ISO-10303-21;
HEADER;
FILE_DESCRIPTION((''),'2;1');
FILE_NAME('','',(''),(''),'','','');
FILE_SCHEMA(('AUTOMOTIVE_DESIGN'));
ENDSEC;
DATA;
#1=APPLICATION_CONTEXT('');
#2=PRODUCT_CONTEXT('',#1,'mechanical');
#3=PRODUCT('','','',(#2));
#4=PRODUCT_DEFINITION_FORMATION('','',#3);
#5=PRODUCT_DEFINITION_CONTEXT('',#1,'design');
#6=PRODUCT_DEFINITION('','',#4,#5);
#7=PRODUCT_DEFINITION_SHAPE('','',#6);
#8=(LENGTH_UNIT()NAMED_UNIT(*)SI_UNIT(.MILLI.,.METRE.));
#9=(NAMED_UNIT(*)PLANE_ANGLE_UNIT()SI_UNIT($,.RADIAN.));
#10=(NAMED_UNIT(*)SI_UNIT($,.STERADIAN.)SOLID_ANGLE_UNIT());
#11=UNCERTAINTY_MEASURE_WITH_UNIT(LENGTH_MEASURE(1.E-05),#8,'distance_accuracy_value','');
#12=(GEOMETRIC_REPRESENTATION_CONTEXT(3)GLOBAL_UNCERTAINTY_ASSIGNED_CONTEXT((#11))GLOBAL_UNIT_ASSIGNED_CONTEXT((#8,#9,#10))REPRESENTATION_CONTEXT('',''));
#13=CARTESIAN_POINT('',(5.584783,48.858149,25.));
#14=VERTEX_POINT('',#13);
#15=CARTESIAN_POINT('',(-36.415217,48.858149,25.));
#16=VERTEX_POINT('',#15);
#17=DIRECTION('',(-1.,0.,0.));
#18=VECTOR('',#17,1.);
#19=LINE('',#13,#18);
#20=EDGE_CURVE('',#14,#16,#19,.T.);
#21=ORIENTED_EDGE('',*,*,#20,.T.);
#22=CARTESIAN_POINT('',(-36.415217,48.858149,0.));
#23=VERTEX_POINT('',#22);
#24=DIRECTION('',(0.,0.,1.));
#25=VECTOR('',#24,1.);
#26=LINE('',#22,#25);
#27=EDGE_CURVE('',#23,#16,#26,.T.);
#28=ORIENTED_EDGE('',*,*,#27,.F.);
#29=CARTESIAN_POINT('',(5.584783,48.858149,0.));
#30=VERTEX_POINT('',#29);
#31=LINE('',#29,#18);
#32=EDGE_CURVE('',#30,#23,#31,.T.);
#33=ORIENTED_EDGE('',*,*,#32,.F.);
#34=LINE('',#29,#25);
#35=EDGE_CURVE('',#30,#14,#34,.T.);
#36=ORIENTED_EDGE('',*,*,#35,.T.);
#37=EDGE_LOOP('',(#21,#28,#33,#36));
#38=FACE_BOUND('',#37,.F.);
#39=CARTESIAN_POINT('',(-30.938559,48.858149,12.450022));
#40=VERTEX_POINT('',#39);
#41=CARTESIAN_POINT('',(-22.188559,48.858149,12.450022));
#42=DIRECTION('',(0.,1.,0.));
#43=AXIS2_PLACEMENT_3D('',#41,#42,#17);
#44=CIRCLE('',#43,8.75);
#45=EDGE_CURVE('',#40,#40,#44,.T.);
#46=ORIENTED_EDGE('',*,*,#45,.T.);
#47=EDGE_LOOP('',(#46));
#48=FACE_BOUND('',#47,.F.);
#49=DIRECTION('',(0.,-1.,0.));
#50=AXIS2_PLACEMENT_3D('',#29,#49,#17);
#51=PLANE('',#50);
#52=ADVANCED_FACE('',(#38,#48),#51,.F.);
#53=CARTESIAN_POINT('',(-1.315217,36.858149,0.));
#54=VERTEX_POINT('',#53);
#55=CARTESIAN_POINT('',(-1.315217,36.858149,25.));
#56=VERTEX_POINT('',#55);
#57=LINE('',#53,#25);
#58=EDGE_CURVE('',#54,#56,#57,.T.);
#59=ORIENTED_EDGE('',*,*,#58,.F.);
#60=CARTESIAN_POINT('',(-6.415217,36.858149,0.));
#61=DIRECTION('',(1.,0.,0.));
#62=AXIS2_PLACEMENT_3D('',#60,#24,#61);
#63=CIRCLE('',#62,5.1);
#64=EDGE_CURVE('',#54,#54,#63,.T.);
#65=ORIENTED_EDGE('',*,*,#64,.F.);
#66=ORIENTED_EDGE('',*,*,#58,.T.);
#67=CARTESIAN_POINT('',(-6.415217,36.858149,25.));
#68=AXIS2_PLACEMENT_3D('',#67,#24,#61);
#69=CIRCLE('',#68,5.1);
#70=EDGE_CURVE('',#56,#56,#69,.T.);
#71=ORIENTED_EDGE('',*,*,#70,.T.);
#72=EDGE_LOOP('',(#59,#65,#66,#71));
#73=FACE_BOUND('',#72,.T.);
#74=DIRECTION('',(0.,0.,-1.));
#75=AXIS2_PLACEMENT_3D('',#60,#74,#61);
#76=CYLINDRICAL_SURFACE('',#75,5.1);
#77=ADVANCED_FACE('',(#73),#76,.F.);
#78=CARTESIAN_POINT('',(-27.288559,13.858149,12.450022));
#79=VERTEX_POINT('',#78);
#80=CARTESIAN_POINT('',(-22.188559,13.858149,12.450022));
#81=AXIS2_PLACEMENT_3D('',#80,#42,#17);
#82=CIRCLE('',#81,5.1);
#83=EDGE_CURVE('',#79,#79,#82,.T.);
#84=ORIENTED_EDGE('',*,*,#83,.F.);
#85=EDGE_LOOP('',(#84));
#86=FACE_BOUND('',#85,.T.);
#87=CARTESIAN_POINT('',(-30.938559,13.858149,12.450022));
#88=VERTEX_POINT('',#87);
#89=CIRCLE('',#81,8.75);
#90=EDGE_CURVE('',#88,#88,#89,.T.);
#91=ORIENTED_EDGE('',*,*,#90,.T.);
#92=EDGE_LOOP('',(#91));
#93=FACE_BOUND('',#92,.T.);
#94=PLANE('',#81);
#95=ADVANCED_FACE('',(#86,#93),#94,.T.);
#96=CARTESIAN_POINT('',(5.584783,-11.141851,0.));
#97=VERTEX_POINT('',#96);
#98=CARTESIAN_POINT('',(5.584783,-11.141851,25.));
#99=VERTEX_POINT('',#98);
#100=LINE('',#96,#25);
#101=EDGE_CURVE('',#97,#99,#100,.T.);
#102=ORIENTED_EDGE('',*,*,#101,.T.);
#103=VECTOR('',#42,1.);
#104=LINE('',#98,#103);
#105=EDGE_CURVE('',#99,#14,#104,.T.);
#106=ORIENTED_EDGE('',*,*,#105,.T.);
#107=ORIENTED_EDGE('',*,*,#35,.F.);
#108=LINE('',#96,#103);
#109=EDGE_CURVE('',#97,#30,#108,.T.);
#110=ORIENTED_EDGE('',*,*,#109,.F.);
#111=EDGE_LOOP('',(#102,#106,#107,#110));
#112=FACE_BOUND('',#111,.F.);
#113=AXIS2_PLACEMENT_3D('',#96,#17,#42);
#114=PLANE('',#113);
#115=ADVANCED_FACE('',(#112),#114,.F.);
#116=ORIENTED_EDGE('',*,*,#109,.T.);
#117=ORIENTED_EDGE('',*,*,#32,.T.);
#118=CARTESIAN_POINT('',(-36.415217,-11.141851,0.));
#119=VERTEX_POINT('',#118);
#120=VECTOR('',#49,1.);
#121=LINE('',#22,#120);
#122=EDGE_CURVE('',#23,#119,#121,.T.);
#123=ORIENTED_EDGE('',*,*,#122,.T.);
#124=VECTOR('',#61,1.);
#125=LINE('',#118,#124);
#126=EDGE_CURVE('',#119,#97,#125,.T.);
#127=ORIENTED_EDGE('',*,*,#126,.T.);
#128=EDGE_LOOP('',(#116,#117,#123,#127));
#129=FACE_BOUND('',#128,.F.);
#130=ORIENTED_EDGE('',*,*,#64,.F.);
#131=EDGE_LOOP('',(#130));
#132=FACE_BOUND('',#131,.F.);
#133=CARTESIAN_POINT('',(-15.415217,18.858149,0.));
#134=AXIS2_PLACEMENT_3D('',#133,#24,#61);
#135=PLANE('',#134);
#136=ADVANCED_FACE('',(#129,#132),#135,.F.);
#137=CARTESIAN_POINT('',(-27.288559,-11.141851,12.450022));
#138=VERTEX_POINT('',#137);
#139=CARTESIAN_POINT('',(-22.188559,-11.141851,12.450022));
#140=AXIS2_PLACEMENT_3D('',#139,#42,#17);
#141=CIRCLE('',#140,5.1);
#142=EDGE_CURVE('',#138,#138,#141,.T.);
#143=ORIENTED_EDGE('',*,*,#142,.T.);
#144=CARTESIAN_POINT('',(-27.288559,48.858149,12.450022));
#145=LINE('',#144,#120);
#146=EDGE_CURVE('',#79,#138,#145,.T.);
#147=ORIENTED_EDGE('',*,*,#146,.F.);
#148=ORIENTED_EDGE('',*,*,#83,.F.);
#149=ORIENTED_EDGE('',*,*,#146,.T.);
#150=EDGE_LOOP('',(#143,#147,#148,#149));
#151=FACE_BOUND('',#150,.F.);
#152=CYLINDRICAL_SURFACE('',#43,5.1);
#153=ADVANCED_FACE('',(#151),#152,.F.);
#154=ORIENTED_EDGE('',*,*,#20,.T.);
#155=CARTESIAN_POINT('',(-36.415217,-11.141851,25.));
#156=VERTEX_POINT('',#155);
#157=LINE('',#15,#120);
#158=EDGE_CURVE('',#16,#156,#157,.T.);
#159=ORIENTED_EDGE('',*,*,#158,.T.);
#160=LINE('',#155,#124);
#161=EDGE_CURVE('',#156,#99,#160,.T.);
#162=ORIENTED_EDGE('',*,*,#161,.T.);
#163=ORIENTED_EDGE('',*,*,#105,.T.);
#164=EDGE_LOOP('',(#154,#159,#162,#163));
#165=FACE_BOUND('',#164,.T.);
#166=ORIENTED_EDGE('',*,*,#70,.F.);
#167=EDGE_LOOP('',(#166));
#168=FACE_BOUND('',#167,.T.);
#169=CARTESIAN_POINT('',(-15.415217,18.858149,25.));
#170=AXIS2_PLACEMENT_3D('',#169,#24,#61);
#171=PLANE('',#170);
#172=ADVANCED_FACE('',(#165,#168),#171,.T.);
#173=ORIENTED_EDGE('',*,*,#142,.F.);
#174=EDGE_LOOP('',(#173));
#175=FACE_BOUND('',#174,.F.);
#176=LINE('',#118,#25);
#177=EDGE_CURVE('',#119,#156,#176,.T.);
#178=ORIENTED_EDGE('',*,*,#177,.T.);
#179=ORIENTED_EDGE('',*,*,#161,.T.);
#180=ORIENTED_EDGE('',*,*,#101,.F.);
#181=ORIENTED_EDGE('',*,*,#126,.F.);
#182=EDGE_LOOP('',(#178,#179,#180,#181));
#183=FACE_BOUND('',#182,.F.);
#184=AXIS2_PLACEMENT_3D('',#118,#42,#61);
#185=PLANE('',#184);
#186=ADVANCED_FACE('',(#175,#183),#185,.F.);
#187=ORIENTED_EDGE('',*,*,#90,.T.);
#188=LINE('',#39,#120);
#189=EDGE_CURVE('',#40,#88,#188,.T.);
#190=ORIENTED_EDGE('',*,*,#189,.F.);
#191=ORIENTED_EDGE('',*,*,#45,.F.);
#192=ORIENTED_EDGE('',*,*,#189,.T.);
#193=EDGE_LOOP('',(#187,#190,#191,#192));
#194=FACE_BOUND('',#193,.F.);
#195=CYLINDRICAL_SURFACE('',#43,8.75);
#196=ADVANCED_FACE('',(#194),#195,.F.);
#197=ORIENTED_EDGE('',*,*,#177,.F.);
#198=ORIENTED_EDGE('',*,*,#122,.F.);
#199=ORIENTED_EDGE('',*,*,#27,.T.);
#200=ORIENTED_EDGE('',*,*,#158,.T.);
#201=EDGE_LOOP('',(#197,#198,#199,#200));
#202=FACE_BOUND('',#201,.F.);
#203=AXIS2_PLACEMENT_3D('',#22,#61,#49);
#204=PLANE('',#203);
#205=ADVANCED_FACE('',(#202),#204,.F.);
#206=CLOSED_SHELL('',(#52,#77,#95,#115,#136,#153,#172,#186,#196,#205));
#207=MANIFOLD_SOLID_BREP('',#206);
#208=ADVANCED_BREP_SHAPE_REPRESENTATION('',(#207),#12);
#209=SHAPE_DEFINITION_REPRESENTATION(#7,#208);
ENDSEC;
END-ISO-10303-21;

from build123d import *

# Parameters (mm, degrees)
F0_R     = 5.1
F1_DEPTH = 25
F2_R     = 8.75
F2_R_2   = 5.1
F3_DEPTH = 35
F4_DEPTH = 60


with BuildPart() as f1:
    # F0 (on Top) → F1 (new body)
    with BuildSketch(Plane.XY):
        Polygon((-36.4152170994, 48.8581491009), (-36.4152170994, -11.1418508991), (5.5847829006, -11.1418508991), (5.5847829006, 48.8581491009), (-6.4152170994, 48.8581491009), align=None)
        with Locations((-6.4152170994, 36.8581491009)):
            Circle(F0_R, mode=Mode.SUBTRACT)
    extrude(amount=F1_DEPTH)

    # F2 (on face) → F3 (cut)
    with BuildSketch(Plane(origin=(0, 48.8581491009, 0), x_dir=(-1, 0, 0), z_dir=(0, 1, 0))):
        with Locations((22.1885591745, 12.4500216916)):
            Circle(F2_R)
        with Locations((22.1885591745, 12.4500216916)):
            Circle(F2_R_2, mode=Mode.SUBTRACT)
    extrude(amount=-F3_DEPTH, mode=Mode.SUBTRACT)

    # F4 (cut): a face of the model
    f4_faces = [f1.faces().sort_by_distance(p)[0] for p in [
        (-22.1885591745, 48.8581491009, 12.4500216916),
    ]]
    extrude(f4_faces, amount=-F4_DEPTH, mode=Mode.SUBTRACT)


solid = f1.part
